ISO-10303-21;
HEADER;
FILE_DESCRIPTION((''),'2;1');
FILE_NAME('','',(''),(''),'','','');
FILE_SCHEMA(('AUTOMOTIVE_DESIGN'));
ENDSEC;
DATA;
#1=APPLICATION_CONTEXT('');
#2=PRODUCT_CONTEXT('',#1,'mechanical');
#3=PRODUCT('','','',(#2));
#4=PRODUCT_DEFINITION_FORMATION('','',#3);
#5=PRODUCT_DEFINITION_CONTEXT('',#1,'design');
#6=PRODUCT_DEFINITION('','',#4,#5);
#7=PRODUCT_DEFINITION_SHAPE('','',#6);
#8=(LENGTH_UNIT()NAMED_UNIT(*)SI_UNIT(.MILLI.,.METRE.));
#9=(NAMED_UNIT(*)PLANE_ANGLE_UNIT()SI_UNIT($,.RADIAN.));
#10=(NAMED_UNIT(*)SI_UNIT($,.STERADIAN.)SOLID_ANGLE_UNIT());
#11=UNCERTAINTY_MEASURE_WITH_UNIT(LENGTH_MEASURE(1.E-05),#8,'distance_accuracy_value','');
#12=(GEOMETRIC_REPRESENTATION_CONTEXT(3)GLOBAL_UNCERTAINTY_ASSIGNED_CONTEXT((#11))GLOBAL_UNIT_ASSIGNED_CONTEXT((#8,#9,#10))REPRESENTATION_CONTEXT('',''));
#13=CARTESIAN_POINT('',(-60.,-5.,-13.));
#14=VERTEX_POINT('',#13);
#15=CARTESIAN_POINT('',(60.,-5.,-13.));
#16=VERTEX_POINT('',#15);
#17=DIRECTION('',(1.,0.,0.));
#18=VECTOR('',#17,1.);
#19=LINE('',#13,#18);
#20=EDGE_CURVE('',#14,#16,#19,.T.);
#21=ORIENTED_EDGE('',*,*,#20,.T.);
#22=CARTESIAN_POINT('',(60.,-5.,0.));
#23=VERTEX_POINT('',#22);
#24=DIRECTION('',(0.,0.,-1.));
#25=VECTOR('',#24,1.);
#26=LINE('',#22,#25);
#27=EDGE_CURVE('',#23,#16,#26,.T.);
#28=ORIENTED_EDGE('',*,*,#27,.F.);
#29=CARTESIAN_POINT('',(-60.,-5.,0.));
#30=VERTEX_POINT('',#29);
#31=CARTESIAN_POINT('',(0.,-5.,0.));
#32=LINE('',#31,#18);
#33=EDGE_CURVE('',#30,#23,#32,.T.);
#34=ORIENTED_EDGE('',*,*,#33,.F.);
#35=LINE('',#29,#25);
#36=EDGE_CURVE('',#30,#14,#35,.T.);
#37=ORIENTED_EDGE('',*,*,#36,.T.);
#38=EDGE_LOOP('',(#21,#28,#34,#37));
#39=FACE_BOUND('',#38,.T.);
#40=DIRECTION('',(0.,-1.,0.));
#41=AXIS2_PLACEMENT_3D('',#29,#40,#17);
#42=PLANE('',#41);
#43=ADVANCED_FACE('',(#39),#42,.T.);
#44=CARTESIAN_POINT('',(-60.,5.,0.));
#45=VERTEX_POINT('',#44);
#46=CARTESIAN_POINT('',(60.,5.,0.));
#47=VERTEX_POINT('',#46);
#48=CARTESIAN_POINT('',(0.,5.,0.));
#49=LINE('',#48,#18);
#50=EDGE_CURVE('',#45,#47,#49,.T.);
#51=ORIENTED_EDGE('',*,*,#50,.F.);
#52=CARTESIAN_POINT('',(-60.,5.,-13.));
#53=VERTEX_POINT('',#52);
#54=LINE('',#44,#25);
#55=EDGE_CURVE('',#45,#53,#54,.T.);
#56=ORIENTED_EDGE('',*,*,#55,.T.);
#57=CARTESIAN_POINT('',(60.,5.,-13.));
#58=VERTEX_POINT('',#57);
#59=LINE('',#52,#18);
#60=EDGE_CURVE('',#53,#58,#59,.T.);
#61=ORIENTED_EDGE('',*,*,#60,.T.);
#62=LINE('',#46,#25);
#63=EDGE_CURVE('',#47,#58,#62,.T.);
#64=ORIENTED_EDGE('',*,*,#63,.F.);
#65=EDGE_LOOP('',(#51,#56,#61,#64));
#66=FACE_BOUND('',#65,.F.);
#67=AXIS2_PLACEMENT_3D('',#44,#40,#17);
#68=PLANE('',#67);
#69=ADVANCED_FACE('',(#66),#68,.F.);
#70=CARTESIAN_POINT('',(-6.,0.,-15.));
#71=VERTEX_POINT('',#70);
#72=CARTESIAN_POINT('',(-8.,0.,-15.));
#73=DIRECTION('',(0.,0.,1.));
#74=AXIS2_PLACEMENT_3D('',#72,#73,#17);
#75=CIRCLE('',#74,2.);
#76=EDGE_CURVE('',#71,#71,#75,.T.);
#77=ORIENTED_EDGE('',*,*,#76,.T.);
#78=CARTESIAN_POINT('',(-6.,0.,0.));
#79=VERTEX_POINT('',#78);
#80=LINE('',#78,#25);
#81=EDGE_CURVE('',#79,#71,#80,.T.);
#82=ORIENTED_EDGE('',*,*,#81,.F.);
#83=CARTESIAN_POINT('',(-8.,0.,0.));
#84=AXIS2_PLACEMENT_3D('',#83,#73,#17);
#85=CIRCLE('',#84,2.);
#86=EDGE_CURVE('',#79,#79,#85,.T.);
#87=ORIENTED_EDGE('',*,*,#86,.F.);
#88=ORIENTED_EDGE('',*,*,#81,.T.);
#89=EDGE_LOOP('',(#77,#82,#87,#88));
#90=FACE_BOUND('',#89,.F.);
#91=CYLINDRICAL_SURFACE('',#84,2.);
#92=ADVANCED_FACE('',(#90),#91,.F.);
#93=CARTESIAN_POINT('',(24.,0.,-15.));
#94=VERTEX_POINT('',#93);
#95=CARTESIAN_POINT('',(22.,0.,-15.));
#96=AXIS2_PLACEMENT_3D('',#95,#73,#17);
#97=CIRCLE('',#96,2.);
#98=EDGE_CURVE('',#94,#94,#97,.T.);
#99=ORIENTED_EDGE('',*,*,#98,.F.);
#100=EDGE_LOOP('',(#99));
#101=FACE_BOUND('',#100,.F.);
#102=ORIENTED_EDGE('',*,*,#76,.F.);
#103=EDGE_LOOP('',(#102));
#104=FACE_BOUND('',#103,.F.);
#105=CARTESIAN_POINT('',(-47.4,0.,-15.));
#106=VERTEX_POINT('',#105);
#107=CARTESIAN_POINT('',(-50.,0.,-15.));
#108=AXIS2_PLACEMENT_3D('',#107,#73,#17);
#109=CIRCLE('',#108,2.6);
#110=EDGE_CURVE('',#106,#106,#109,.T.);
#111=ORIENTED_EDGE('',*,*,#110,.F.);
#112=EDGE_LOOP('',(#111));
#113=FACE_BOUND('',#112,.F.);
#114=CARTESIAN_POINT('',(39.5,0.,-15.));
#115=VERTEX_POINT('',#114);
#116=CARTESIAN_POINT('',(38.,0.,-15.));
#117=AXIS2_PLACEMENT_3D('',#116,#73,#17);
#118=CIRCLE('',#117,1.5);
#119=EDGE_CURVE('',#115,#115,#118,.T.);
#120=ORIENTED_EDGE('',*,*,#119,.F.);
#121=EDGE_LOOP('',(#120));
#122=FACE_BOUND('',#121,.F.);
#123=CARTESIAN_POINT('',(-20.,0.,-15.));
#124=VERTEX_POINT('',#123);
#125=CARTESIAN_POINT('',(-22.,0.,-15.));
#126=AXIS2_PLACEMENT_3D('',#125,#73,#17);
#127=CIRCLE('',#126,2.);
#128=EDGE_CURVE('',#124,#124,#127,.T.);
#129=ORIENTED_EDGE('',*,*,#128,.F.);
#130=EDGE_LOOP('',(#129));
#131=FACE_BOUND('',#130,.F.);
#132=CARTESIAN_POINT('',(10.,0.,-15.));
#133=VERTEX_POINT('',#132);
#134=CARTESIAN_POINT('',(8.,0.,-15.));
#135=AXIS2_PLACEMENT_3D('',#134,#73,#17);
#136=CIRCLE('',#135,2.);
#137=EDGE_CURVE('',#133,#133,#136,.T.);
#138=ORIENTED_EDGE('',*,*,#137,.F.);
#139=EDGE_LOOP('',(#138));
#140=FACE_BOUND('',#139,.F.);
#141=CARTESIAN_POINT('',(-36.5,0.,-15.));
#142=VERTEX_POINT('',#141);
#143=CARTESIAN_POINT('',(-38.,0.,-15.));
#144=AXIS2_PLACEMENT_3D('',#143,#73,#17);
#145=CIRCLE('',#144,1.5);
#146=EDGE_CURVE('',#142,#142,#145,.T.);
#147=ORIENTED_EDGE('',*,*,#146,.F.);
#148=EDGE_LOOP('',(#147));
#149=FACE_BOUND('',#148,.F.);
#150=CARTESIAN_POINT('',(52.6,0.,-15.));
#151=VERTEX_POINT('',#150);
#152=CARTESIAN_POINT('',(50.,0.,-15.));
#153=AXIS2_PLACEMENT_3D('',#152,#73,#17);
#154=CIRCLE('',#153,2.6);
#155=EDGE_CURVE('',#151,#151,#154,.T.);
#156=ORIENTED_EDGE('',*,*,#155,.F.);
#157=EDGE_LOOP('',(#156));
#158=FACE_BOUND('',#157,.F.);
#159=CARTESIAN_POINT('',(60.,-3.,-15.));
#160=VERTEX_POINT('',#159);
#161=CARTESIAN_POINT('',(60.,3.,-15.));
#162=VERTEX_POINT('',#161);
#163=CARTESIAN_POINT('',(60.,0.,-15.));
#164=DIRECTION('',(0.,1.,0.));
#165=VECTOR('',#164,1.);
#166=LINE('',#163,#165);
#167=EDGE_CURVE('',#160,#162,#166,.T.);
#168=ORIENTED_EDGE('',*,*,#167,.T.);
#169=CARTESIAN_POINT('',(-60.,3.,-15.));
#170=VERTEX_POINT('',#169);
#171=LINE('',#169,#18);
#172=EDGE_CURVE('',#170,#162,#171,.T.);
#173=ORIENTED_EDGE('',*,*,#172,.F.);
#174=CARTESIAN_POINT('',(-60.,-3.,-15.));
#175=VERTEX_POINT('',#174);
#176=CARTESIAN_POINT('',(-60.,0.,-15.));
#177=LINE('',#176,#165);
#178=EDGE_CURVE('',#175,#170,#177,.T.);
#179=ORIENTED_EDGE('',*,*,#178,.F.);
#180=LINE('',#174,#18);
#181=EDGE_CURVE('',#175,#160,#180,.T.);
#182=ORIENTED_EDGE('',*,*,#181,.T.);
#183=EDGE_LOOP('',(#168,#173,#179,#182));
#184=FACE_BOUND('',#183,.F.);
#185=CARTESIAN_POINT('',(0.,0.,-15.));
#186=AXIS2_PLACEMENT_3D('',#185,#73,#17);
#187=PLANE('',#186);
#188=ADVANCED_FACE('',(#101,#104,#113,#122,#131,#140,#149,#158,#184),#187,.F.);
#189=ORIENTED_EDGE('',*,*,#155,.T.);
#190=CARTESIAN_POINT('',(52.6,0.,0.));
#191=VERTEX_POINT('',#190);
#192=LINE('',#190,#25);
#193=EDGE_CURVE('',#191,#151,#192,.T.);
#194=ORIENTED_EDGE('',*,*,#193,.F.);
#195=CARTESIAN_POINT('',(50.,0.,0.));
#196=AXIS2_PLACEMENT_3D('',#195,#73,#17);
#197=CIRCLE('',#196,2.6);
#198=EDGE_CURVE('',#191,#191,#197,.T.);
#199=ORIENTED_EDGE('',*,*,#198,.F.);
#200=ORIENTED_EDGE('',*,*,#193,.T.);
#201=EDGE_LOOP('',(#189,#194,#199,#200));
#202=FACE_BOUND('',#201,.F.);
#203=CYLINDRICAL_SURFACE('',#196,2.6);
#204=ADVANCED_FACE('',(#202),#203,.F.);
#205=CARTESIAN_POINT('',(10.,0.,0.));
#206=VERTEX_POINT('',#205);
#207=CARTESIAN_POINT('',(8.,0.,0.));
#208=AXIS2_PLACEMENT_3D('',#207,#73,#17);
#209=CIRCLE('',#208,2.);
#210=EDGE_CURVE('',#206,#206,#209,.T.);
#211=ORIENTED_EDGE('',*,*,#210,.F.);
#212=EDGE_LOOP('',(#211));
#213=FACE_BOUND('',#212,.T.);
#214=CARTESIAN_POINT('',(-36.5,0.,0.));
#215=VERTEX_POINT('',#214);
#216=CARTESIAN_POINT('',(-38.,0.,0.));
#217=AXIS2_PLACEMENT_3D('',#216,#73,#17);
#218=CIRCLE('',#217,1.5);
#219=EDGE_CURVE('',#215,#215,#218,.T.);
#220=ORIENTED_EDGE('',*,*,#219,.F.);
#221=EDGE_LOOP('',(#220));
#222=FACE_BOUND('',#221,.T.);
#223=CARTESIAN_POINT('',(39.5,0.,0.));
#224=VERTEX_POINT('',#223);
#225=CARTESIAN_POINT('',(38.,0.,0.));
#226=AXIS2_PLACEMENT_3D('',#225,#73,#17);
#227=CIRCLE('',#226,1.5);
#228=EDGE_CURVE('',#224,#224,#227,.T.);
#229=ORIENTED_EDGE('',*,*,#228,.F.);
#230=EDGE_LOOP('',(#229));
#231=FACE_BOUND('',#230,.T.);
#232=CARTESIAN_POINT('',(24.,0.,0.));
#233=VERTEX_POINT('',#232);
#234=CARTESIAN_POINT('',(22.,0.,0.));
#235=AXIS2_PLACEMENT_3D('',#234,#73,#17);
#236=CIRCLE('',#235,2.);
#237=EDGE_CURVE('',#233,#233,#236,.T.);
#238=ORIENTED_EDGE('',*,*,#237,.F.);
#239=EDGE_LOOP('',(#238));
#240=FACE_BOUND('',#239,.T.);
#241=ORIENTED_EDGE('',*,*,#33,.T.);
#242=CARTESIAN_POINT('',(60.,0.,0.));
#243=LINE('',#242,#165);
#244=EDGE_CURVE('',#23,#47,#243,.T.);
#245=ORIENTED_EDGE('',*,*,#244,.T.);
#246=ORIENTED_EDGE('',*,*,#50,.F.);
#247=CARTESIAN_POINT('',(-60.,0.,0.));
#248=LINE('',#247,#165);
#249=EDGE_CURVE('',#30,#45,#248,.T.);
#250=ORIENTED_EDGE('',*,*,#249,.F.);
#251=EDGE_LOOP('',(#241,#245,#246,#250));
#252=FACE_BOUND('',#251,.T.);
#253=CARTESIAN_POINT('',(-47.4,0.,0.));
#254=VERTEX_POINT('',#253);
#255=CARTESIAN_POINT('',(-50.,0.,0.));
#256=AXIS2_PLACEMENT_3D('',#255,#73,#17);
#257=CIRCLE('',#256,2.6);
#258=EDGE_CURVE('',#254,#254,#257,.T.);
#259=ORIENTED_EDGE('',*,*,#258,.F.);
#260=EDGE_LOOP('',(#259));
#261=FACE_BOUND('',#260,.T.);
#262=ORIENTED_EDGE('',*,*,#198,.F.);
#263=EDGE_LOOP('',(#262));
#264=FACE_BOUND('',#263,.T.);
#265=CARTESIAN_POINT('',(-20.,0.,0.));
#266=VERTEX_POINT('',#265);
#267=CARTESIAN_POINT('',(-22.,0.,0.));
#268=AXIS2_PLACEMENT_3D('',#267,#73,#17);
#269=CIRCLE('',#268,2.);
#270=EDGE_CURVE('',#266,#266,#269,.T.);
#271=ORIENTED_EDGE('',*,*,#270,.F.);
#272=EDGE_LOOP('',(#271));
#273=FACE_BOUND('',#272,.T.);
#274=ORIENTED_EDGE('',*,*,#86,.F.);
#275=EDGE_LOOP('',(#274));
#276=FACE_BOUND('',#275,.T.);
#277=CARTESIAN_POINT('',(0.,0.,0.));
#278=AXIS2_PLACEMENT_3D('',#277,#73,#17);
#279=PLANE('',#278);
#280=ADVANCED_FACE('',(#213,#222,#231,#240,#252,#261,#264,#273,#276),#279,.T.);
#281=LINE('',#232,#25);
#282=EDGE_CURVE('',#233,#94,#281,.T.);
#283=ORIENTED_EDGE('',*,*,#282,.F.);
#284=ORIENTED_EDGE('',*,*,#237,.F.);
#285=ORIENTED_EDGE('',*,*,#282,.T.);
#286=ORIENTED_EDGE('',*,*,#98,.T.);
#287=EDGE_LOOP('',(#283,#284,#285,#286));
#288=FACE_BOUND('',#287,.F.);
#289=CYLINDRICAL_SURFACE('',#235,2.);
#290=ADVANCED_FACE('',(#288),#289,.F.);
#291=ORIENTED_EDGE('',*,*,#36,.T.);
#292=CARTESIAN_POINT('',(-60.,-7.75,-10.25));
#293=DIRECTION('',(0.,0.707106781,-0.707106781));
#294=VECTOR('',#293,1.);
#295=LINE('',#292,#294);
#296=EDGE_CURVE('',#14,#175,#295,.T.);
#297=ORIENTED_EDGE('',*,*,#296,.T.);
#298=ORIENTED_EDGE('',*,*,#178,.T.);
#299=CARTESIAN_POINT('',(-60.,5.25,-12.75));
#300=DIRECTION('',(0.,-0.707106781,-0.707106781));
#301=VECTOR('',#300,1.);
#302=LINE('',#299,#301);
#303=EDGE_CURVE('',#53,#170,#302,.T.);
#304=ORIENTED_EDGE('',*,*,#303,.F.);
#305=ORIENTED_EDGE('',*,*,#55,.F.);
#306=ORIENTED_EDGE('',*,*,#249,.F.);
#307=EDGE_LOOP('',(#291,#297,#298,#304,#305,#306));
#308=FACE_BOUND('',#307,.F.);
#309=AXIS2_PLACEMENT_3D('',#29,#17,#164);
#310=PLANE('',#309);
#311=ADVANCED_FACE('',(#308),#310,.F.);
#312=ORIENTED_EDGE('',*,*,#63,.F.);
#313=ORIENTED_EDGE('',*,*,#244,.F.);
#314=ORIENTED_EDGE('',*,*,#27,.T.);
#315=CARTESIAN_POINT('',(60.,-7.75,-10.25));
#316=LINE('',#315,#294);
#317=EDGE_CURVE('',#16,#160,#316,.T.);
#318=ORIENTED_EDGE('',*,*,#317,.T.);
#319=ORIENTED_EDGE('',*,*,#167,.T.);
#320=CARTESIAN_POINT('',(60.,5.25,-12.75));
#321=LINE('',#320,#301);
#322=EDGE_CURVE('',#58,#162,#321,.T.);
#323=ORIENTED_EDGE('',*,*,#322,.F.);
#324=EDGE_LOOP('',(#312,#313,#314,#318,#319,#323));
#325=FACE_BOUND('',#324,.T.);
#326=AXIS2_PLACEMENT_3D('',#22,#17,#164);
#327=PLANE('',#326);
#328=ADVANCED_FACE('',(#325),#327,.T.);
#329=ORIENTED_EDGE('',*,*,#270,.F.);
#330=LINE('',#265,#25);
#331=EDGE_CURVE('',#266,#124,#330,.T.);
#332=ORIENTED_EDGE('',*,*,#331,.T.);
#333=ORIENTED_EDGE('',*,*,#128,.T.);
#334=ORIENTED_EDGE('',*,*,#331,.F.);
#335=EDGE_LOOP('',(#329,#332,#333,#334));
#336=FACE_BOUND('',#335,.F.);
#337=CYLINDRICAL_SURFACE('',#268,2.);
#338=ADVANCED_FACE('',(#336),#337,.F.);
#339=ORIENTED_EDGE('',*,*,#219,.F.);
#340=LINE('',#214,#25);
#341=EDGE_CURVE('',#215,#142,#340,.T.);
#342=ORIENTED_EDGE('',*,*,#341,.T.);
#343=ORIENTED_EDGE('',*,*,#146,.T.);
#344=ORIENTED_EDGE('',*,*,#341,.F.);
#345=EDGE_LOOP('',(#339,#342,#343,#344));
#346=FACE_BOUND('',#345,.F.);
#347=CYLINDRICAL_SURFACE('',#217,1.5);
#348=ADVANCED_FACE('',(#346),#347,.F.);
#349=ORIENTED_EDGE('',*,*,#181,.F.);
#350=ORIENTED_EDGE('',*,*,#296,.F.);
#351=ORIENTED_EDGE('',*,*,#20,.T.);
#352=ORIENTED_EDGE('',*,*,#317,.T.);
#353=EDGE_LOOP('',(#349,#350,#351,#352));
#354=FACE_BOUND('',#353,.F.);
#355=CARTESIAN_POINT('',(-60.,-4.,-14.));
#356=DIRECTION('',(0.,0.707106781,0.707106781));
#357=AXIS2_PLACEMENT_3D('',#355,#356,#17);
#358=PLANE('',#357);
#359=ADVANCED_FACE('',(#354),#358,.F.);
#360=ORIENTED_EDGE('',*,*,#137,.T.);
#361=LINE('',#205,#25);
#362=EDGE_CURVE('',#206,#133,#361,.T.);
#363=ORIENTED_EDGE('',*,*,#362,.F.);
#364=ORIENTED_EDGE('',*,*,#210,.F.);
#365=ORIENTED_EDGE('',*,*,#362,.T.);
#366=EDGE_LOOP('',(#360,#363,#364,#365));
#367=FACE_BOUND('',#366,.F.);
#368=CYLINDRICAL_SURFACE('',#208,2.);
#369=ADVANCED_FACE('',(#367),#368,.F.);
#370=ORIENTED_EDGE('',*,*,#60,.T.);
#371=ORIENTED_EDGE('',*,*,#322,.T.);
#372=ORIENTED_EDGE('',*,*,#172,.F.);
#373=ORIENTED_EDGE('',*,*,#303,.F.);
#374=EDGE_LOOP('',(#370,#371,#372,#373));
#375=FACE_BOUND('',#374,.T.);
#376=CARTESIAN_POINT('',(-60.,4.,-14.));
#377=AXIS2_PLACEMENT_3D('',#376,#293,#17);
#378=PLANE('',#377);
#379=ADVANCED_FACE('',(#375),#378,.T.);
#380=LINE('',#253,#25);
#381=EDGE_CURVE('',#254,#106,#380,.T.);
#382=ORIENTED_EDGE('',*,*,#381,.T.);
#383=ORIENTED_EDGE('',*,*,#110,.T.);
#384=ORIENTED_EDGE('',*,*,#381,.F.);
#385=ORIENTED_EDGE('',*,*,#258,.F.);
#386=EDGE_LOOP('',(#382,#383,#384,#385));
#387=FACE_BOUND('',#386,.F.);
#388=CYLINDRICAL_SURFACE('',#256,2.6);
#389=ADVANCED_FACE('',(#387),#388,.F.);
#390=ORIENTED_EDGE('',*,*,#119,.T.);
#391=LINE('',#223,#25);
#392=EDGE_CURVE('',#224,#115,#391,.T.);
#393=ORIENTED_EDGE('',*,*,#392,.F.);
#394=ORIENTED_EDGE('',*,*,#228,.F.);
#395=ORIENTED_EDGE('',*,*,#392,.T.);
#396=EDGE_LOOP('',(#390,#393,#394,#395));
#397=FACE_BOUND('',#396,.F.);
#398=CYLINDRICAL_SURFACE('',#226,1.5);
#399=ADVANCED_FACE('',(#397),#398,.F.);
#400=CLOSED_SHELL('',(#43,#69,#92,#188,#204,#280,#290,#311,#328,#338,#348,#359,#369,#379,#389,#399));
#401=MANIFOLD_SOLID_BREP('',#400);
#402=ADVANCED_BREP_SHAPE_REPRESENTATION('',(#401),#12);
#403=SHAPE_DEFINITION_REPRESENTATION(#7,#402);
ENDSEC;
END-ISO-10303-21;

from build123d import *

# Parameters (mm, degrees)
F0_W     = 120
F0_H     = 10
F0_R     = 2.6
F0_R_2   = 1.5
F0_R_3   = 2
F1_DEPTH = 15
F2_SIZE  = 2


with BuildPart() as f1:
    # F0 (on Top) → F1 (new body)
    with BuildSketch(Plane.XY):
        Rectangle(F0_W, F0_H)
        with Locations((-50, 0)):
            Circle(F0_R, mode=Mode.SUBTRACT)
        with Locations((-38, 0)):
            Circle(F0_R_2, mode=Mode.SUBTRACT)
        with Locations((-22, 0)):
            Circle(F0_R_3, mode=Mode.SUBTRACT)
        with Locations((-8, 0)):
            Circle(F0_R_3, mode=Mode.SUBTRACT)
        with Locations((8, 0)):
            Circle(F0_R_3, mode=Mode.SUBTRACT)
        with Locations((22, 0)):
            Circle(F0_R_3, mode=Mode.SUBTRACT)
        with Locations((38, 0)):
            Circle(F0_R_2, mode=Mode.SUBTRACT)
        with Locations((50, 0)):
            Circle(F0_R, mode=Mode.SUBTRACT)
    extrude(amount=-F1_DEPTH)

    # F2
    f2_edges = [f1.edges().sort_by_distance(p)[0] for p in [
        (0, -5, -15),
        (0, 5, -15),
    ]]
    chamfer(f2_edges, length=F2_SIZE)


solid = f1.part
